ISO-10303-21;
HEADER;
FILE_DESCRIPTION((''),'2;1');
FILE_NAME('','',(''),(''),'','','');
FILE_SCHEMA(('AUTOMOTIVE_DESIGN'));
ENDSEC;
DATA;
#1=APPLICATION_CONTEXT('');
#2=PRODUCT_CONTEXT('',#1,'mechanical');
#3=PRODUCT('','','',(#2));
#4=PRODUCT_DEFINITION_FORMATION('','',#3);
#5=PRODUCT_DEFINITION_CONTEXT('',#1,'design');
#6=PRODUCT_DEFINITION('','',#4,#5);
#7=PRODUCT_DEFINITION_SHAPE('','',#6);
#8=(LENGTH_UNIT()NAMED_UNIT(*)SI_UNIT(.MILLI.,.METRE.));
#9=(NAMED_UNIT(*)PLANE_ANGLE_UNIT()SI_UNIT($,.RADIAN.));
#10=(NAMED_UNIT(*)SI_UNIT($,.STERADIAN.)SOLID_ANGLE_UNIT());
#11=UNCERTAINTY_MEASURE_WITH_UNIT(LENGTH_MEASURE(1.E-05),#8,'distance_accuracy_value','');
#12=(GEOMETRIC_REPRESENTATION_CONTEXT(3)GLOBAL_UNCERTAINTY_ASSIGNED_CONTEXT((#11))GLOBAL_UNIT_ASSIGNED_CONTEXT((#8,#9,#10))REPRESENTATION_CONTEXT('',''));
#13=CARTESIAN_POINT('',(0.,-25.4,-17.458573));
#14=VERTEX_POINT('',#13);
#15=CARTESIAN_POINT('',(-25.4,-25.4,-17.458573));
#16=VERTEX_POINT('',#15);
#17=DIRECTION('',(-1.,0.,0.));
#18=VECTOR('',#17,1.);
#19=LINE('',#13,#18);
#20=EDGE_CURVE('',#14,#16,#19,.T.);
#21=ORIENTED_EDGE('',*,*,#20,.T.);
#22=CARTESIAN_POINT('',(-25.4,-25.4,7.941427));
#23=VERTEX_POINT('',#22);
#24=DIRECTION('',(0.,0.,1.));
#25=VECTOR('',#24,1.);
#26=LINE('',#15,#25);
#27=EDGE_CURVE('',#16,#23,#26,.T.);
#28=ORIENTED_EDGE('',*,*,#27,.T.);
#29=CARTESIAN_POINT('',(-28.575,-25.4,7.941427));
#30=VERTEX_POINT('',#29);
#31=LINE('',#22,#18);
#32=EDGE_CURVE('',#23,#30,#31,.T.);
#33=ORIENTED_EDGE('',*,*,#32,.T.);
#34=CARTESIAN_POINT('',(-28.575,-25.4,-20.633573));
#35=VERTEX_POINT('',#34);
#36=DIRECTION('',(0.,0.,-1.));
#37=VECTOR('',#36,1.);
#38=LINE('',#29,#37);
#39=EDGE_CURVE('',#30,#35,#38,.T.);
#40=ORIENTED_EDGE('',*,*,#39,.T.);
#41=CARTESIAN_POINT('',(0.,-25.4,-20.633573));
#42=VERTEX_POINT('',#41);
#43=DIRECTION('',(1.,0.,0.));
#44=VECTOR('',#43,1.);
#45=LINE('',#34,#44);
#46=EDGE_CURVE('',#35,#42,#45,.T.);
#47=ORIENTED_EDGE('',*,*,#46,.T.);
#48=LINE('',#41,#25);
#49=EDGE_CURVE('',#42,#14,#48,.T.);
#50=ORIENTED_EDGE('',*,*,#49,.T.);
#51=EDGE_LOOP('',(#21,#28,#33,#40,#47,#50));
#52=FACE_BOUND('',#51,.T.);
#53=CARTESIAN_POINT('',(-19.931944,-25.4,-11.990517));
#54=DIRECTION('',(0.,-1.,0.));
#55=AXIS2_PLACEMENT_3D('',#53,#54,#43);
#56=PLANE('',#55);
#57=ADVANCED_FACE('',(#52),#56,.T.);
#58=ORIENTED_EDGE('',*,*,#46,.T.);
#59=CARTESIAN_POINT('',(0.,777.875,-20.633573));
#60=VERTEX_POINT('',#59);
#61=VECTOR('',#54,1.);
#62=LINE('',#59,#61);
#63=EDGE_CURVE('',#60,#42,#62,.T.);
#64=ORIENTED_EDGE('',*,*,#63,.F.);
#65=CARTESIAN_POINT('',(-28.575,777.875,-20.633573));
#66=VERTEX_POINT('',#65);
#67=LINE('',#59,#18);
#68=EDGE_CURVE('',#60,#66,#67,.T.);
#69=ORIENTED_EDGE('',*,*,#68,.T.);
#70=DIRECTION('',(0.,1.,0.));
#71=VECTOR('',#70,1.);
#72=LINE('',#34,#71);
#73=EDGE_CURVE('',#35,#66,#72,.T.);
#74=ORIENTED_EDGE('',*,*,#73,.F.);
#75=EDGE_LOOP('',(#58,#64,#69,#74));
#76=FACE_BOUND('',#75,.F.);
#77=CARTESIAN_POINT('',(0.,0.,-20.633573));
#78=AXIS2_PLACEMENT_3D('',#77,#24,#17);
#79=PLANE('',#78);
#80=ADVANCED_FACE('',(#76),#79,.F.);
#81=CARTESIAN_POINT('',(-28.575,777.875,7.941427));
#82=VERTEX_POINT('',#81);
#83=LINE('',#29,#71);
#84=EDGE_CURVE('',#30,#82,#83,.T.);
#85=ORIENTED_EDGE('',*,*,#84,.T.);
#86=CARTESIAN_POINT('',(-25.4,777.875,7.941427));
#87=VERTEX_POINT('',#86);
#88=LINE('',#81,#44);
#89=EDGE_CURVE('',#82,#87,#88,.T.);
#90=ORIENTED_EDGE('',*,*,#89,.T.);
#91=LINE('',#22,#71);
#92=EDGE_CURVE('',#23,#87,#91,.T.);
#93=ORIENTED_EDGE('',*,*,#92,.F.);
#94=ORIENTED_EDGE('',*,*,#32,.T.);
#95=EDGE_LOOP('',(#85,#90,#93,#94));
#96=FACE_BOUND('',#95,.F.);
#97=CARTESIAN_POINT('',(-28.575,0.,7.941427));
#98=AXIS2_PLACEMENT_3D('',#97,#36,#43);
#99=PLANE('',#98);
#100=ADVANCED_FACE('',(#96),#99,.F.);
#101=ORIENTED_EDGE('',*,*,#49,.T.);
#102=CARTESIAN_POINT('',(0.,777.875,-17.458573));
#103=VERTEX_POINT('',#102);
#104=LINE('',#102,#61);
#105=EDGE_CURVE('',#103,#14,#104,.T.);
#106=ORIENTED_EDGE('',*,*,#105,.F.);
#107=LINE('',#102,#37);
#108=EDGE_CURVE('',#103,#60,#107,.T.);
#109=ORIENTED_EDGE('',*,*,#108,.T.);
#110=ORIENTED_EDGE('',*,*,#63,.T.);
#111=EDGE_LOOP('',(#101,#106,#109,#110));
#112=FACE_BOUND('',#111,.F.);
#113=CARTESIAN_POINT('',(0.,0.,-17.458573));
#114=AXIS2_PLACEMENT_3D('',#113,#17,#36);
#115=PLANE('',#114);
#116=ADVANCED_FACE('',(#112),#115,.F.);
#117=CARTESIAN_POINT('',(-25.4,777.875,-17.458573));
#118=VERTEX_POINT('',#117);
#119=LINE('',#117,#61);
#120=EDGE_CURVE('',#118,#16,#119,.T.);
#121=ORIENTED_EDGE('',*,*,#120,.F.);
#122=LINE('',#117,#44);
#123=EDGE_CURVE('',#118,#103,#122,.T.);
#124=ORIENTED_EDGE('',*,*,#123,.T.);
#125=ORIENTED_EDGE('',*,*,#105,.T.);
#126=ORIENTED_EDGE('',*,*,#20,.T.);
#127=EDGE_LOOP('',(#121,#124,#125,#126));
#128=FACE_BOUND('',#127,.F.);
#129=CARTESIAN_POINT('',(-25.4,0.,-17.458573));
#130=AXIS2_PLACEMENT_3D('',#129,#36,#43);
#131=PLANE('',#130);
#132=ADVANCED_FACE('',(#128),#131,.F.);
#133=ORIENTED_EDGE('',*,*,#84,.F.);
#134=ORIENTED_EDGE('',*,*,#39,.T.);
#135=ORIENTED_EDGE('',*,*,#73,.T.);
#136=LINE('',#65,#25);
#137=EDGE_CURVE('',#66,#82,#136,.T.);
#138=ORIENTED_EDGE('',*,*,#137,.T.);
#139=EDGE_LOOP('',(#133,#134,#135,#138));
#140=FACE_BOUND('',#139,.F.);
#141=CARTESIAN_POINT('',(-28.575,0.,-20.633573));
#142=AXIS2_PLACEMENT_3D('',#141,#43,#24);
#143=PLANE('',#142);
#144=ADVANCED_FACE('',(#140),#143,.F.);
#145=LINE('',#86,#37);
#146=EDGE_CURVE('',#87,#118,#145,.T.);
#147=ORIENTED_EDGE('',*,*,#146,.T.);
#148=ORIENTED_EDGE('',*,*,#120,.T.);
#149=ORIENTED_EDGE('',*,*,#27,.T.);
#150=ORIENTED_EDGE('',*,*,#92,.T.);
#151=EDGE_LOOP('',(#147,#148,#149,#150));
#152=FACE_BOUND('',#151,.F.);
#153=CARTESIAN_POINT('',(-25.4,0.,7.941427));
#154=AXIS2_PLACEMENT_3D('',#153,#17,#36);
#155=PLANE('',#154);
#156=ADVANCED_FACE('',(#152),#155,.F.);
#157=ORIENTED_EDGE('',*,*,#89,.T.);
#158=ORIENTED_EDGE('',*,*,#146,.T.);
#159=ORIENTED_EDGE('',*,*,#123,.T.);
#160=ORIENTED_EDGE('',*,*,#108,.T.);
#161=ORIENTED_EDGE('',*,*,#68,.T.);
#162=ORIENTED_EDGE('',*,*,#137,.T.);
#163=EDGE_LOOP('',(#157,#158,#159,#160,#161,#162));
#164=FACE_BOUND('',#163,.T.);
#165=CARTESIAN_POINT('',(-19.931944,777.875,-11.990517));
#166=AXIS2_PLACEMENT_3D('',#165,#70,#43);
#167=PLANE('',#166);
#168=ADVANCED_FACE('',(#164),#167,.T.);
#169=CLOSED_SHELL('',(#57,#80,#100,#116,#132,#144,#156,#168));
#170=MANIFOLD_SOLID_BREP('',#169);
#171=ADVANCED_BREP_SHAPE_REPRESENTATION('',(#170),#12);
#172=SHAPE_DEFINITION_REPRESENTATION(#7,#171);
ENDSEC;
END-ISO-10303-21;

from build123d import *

# Parameters (mm, degrees)
F1_DEPTH = 25.4
F2_DEPTH = 777.875


with BuildPart() as f1:
    # F0 (on Front) → F1 (new body)
    with BuildSketch(Plane.XZ):
        Polygon((0, -17.458573), (-25.4, -17.458573), (-25.4, 7.941427), (-28.575, 7.941427), (-28.575, -20.633573), (0, -20.633573), align=None)
    extrude(amount=F1_DEPTH)

    # F1_face (on face) → F2 (join)
    with BuildSketch(Plane(origin=(-20.263971, 0, -12.322544), x_dir=(1, 0, 0), z_dir=(0, 1, 0))):
        Polygon((20.263971, 8.311029), (-8.311029, 8.311029), (-8.311029, -20.263971), (-5.136029, -20.263971), (-5.136029, 5.136029), (20.263971, 5.136029), align=None)
    extrude(amount=F2_DEPTH)


solid = f1.part
